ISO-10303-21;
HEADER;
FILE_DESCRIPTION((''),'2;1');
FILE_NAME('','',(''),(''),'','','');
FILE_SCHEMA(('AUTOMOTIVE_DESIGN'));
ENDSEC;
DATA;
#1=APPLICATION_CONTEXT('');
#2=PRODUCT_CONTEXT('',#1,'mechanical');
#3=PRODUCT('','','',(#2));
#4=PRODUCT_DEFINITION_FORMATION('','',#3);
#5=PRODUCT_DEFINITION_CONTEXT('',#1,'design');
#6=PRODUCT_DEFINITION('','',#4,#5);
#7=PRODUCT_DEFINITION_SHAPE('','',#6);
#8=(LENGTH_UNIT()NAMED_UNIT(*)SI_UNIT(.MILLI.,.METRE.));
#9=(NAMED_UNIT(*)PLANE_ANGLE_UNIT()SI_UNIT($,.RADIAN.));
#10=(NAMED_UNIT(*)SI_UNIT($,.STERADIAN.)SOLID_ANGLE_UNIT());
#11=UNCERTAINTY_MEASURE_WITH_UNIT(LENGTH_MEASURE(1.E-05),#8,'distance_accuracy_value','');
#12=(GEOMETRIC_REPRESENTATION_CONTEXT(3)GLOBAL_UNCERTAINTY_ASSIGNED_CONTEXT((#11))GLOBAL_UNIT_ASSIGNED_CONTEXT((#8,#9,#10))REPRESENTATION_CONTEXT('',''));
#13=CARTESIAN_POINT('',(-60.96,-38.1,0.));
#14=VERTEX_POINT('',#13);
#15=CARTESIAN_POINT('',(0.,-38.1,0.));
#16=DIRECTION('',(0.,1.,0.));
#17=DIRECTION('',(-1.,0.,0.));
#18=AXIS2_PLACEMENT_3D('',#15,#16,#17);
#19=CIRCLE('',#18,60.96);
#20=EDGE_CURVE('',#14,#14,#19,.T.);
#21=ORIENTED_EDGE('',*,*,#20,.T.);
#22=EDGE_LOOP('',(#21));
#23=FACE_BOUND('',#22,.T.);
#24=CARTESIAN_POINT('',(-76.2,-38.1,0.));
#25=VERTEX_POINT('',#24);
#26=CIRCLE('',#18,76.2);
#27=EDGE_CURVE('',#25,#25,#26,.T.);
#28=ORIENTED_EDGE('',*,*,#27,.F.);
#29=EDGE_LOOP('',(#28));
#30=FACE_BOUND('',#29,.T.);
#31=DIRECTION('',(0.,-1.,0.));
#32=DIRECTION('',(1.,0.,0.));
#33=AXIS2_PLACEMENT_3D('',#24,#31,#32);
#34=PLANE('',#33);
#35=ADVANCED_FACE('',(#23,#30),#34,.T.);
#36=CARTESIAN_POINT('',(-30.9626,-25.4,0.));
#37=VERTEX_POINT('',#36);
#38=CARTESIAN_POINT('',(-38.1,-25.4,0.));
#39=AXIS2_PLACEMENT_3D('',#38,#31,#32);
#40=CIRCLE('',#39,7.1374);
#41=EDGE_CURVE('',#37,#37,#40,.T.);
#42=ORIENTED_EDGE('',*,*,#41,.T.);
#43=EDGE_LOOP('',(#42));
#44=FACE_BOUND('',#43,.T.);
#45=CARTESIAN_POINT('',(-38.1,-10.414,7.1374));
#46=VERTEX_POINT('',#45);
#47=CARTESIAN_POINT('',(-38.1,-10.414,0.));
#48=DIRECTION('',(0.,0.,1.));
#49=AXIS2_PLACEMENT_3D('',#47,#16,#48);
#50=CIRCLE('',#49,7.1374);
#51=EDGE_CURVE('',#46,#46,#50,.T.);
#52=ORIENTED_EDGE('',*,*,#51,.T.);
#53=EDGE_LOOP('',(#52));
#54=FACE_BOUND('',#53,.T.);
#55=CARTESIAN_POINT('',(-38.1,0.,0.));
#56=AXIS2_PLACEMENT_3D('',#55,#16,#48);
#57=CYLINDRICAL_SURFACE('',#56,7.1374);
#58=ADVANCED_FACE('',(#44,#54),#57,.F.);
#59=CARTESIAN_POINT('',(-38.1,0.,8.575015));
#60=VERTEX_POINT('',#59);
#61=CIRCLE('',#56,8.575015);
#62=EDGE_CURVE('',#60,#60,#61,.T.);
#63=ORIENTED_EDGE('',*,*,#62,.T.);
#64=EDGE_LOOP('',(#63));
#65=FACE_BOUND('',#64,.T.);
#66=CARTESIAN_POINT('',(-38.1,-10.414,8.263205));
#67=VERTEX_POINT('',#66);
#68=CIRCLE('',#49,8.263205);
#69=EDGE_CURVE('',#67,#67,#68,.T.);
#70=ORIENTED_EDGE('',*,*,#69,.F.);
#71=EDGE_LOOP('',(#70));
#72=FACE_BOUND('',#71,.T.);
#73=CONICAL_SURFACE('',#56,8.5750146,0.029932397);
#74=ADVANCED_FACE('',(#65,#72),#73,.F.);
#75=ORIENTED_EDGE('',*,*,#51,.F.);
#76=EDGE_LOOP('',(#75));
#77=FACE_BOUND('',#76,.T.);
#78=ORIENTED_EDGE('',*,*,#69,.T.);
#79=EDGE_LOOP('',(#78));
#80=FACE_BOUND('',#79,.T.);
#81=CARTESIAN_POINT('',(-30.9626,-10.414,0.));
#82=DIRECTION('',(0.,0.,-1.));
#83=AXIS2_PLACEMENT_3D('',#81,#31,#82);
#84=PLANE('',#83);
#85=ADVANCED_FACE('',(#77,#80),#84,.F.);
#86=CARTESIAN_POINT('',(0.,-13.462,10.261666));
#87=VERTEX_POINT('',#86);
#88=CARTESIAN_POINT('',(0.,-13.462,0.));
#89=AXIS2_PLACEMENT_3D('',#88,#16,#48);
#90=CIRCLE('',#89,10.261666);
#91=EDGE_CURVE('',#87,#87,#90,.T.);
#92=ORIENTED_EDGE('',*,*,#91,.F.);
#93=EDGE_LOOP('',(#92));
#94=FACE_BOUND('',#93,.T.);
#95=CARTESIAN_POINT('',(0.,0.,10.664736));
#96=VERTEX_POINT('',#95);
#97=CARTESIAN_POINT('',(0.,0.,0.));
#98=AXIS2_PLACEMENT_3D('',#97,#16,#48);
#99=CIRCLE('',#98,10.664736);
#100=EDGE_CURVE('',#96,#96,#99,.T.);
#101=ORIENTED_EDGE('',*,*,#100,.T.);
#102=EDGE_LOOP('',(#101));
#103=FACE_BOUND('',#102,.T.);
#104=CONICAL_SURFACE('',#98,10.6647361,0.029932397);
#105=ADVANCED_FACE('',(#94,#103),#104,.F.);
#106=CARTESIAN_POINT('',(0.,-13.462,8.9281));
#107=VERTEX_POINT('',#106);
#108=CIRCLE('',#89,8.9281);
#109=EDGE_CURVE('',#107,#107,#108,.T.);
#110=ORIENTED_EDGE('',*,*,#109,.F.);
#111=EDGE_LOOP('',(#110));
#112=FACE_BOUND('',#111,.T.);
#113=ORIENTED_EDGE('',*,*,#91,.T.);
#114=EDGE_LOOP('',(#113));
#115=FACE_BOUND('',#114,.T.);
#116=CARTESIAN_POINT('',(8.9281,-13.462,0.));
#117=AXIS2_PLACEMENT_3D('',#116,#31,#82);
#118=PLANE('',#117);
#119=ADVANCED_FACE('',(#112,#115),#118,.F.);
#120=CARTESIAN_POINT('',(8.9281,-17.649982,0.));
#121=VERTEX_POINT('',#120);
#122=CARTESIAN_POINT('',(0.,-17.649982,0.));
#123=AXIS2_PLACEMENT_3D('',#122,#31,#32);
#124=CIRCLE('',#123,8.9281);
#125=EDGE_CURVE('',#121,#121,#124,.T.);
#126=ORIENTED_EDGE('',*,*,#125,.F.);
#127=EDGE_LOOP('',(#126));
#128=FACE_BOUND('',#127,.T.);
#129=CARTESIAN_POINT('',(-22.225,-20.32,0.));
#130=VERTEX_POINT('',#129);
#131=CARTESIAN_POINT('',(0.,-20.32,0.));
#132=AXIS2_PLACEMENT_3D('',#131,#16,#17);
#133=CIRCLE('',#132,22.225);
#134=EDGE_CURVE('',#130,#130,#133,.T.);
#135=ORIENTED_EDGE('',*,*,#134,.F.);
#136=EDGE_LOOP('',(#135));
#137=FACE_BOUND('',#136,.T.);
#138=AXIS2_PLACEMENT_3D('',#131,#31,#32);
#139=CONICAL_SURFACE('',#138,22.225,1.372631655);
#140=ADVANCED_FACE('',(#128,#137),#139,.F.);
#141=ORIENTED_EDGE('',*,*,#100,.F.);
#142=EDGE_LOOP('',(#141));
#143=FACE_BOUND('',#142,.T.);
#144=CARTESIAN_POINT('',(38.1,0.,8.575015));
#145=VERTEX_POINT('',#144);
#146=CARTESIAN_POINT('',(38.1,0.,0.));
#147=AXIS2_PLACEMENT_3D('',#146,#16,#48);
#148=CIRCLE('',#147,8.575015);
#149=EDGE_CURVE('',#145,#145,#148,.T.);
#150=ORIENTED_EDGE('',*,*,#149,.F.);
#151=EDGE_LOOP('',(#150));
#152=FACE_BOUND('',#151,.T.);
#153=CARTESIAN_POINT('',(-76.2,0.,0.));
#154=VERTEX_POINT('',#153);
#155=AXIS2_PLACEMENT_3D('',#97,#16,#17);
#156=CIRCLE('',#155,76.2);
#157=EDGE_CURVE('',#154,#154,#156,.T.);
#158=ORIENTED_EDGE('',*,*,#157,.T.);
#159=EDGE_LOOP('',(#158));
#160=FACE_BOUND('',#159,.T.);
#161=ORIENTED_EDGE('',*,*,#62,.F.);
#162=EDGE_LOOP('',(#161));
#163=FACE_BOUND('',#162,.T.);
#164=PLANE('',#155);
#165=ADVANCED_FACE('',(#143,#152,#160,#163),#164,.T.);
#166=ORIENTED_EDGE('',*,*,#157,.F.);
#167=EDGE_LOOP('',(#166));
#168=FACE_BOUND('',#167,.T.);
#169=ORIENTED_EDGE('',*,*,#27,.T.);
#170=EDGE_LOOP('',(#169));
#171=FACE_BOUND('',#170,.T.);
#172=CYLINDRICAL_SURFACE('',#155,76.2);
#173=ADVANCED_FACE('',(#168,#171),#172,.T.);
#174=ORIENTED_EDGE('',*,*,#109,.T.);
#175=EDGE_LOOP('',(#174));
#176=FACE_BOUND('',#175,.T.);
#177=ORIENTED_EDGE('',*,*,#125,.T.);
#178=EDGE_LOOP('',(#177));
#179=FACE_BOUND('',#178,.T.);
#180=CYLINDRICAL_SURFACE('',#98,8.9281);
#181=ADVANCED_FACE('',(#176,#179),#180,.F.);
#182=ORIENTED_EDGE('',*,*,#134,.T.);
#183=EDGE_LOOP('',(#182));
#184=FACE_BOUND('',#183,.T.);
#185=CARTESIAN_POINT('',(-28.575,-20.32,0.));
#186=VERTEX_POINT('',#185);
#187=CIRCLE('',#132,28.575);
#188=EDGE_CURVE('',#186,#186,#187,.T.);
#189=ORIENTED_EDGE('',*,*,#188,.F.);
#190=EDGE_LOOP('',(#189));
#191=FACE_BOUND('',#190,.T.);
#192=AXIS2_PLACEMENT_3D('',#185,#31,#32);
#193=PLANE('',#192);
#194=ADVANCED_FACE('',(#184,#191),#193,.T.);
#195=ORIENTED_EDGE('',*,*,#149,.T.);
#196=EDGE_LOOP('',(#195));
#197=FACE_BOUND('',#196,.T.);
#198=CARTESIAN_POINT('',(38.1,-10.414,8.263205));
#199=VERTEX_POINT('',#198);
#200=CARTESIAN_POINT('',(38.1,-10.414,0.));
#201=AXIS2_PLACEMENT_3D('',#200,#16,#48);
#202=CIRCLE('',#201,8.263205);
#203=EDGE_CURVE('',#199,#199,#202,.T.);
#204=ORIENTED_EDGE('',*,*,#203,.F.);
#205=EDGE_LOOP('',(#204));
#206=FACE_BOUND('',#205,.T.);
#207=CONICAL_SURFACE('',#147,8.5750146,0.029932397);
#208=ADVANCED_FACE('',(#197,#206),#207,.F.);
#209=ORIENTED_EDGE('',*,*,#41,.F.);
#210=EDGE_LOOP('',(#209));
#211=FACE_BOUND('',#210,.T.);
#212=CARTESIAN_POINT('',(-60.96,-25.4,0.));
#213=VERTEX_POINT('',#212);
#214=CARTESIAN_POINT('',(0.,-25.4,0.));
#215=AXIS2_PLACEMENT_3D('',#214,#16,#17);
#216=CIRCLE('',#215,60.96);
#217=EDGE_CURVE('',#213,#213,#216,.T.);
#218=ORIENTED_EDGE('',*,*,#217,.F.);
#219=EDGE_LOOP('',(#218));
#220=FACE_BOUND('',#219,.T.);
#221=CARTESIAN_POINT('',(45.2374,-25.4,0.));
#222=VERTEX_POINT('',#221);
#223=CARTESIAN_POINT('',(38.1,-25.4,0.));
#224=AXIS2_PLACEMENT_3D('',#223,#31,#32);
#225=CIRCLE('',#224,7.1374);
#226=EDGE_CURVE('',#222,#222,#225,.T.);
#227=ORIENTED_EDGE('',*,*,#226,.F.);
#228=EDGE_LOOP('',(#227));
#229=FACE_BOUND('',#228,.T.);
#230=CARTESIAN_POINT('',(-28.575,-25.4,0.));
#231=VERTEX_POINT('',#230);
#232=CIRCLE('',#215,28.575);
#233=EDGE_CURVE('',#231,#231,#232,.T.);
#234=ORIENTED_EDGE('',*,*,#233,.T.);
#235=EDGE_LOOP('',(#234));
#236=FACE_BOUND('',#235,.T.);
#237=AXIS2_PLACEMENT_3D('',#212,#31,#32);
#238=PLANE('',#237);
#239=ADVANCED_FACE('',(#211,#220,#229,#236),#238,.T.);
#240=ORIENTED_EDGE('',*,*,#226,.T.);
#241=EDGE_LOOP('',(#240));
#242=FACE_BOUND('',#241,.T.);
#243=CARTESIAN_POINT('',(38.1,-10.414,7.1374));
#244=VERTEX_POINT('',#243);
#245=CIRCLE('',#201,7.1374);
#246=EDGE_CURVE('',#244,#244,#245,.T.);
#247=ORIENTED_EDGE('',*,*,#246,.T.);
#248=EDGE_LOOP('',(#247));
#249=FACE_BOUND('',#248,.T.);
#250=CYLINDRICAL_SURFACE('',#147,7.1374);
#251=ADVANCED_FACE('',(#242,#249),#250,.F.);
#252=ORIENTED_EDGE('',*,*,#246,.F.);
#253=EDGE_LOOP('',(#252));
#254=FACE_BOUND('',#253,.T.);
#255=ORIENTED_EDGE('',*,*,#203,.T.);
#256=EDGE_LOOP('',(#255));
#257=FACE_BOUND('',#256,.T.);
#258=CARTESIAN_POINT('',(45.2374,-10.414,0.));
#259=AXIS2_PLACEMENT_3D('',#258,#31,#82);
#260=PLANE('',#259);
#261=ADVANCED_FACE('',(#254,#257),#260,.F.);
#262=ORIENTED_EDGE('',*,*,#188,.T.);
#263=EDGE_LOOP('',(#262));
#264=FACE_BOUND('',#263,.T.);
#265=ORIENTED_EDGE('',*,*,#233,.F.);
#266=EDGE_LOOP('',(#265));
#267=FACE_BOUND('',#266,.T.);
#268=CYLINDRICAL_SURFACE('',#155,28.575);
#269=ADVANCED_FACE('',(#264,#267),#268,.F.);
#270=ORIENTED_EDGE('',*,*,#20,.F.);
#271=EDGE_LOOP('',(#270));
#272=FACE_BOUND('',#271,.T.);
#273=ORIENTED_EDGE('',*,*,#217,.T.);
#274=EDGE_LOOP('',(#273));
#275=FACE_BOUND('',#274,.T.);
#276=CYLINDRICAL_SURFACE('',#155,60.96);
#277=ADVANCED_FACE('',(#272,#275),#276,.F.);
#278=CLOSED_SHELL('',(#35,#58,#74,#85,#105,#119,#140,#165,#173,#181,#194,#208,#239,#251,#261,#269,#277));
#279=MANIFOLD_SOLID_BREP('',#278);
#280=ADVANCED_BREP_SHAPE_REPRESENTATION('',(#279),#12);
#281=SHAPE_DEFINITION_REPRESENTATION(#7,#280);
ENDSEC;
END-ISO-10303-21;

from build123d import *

# Parameters (mm, degrees)
F_3_8_NPT_TAPPED_HOLE1_AT_2_COUNT = 2
F_3_8_NPT_TAPPED_HOLE1_AT_2_PITCH = 76.2


with BuildPart() as part:
    # Sketch1 → Revolve1 (revolve)
    with BuildSketch(Plane.XY):
        Polygon((0, 0), (-76.2, 0), (-76.2, -38.1), (-60.96, -38.1), (-60.96, -25.4), (-28.575, -25.4), (-28.575, -20.32), (-22.225, -20.32), (0, -15.85722), align=None)
    revolve(axis=Axis((0, 0, 0), (0, -1, 0)))

    # Sketch3 → 1/2 NPT Tapped Hole1 (revolve, cut)
    with BuildSketch(Plane(origin=(0, 0, 0), x_dir=(0, 0, 1), z_dir=(1, 0, 0))):
        Polygon((0, 0), (0, 38.1), (8.9281, 38.1), (8.9281, 13.462), (10.261665792, 13.462), (10.6647361, 0), align=None)
    revolve(axis=Axis((0, 6.35, 0), (0, -1, 0)), mode=Mode.SUBTRACT)

    # Sketch5 → 3/8 NPT Tapped Hole1 (revolve, cut)
    with BuildSketch(Plane(origin=(-38.1, 0, 0), x_dir=(0, 0, 1), z_dir=(1, 0, 0))):
        Polygon((0, 0), (0, 38.1), (7.1374, 38.1), (7.1374, 10.414), (8.263205494, 10.414), (8.5750146, 0), align=None)
    f_3_8_npt_tapped_hole1 = revolve(axis=Axis((-38.1, 6.35, 0), (0, -1, 0)), mode=Mode.SUBTRACT)

    # 3/8 NPT Tapped Hole1 at 2: 3/8 NPT Tapped Hole1 ×2
    with Locations(*[(i * F_3_8_NPT_TAPPED_HOLE1_AT_2_PITCH, 0, 0) for i in range(1, F_3_8_NPT_TAPPED_HOLE1_AT_2_COUNT)]):
        add(f_3_8_npt_tapped_hole1, mode=Mode.SUBTRACT)


solid = part.part
